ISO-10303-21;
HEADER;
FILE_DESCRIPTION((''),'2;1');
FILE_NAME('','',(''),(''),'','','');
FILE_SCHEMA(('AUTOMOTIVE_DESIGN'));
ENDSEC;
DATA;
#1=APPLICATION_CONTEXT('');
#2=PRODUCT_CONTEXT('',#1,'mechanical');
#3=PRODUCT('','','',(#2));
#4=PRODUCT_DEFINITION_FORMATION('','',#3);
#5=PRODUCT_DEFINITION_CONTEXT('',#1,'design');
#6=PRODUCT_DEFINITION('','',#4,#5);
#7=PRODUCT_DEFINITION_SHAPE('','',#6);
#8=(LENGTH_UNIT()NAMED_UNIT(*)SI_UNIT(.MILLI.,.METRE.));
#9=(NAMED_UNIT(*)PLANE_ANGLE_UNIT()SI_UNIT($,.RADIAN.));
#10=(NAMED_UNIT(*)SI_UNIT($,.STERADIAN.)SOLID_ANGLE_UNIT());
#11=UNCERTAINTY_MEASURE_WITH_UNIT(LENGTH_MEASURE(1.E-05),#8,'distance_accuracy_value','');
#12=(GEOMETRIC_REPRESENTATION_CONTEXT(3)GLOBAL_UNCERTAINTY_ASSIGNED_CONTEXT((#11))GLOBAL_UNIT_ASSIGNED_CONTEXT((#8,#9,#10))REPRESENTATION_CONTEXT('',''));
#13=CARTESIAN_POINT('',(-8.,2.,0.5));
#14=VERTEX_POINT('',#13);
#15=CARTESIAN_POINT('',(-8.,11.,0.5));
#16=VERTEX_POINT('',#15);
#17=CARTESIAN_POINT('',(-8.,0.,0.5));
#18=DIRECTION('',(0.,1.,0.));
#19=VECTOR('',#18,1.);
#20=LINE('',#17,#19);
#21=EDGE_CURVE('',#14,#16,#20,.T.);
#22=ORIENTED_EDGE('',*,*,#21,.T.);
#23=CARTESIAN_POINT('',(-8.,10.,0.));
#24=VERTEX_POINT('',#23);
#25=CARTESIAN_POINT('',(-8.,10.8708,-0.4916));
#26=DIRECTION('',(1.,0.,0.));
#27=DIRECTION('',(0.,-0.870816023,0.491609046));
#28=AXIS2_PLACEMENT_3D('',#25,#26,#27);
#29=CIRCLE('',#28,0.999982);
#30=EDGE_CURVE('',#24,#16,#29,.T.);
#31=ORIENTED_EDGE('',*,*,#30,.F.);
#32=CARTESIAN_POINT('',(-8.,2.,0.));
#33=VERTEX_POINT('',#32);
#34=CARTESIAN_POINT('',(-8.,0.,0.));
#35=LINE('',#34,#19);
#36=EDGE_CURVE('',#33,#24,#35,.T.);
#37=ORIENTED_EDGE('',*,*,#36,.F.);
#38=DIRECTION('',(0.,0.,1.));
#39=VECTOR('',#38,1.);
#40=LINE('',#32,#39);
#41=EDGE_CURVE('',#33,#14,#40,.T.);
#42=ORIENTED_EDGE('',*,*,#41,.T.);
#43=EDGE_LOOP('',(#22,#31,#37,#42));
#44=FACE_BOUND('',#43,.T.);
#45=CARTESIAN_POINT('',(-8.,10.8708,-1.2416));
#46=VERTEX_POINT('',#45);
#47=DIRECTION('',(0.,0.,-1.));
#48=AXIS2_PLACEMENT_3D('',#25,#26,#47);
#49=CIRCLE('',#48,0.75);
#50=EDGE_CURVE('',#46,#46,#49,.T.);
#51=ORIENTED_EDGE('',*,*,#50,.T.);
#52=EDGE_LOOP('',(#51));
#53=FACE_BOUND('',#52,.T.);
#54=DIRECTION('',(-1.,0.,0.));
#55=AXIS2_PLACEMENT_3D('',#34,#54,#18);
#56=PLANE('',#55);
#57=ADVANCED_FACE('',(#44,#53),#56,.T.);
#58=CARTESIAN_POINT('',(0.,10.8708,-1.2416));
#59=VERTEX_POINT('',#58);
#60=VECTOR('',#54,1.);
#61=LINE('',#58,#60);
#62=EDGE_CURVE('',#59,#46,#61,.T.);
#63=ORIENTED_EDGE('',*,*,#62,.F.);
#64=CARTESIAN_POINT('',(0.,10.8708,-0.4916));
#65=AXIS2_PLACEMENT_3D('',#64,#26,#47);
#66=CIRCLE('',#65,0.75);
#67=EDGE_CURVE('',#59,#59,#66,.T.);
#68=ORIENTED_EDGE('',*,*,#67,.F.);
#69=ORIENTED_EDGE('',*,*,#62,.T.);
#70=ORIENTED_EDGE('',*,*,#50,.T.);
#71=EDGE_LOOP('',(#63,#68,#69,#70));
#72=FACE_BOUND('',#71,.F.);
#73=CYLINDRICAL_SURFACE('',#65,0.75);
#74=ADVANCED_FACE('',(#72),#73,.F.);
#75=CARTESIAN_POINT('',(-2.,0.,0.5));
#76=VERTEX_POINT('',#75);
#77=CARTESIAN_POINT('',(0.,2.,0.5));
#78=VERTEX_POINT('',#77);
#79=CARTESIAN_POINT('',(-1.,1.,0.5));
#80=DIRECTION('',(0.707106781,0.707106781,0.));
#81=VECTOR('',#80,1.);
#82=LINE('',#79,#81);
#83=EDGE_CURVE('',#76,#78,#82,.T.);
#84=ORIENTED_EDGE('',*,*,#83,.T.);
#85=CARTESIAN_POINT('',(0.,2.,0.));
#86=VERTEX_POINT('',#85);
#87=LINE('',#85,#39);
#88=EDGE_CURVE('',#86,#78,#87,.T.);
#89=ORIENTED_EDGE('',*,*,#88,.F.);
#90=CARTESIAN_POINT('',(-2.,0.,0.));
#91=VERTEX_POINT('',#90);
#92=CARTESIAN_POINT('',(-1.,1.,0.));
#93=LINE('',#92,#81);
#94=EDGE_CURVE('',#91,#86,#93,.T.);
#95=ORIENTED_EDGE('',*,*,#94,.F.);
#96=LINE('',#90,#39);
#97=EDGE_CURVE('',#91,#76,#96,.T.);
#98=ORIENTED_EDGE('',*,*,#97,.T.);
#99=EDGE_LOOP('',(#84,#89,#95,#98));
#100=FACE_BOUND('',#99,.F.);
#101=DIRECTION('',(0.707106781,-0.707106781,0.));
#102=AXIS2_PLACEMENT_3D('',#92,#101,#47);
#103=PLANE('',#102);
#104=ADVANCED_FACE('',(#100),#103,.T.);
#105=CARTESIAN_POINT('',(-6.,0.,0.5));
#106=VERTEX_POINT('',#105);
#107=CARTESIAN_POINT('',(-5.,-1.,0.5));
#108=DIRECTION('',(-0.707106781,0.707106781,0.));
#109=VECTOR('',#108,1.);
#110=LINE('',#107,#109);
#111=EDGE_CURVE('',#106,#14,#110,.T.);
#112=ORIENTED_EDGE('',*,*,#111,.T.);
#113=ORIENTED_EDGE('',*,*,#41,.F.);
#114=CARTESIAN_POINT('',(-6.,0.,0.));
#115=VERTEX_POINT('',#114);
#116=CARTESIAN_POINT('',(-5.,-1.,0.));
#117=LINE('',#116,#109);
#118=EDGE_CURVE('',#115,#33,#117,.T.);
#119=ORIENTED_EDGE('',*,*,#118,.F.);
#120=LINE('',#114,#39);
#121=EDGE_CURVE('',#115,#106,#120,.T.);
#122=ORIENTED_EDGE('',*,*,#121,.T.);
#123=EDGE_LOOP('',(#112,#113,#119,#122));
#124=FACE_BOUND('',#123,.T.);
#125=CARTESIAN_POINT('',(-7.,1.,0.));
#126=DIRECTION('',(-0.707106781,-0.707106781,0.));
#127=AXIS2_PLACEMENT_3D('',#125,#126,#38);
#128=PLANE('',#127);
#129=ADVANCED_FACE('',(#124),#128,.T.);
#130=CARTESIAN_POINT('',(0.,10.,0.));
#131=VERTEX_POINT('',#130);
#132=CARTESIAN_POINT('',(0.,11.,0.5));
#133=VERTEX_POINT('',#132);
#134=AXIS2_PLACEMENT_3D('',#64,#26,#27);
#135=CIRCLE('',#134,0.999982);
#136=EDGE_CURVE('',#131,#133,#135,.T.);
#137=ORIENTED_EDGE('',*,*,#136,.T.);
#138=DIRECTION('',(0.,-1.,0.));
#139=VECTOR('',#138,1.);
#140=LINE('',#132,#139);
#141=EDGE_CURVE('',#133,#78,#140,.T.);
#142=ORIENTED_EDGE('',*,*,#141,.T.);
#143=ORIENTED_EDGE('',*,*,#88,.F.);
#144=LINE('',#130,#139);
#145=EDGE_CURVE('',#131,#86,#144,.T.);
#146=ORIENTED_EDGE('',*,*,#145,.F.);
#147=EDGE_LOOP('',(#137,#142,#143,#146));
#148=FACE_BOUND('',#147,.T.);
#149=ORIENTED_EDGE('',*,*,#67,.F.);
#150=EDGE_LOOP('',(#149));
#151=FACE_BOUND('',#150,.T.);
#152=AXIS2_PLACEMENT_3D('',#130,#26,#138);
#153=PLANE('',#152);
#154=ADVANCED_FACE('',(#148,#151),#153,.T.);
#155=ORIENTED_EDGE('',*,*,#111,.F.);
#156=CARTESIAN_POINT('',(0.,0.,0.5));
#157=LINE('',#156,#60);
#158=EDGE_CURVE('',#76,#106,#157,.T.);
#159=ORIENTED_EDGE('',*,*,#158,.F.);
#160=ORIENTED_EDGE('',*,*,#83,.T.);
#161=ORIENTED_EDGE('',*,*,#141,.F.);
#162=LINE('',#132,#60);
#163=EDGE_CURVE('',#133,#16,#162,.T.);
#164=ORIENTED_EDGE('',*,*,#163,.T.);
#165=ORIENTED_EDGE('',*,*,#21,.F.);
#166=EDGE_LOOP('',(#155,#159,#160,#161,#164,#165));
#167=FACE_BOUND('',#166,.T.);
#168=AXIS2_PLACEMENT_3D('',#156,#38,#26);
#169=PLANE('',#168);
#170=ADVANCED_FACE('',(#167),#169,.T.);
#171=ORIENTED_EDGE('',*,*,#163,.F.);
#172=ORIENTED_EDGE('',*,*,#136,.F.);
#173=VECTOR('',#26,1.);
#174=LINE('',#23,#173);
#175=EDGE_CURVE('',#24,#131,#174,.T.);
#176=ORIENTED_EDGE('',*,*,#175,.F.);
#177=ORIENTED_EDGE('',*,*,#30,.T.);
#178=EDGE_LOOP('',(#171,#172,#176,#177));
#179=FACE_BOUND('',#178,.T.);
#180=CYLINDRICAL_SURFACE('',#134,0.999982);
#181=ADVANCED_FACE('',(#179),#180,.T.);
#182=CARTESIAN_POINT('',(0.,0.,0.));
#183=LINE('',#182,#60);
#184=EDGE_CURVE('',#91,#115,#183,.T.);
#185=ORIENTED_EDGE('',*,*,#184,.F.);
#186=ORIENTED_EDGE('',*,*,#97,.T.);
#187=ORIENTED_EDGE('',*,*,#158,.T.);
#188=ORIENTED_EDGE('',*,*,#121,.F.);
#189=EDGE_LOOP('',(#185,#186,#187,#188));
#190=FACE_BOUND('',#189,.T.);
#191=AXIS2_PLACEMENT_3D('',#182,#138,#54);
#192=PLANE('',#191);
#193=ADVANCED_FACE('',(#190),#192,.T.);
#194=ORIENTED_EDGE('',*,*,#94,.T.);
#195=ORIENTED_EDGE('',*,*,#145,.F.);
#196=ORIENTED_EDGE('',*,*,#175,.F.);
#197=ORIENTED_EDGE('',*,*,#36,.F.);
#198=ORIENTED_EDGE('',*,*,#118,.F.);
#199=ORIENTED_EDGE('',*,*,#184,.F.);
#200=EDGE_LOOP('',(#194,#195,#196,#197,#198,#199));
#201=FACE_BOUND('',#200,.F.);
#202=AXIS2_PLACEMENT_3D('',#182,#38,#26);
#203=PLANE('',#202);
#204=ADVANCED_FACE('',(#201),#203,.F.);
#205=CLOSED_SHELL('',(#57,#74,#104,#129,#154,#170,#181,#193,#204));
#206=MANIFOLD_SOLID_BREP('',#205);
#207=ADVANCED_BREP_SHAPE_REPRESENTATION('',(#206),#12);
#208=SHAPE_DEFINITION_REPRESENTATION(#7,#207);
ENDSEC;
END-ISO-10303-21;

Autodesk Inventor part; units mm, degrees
ref_plane "YZ Plane" through (0, 0, 0) normal (1, 0, 0) x (0, 1, 0)
ref_plane "XZ Plane" through (0, 0, 0) normal (0, 1, 0) x (-1, 0, 0)
ref_plane "XY Plane" through (0, 0, 0) normal (0, 0, 1) x (1, 0, 0)
sketch "Sketch1" plane through (0, 0, 0) normal (0, 0, 1) x (1, 0, 0)
  line L0 (0, 0) -> (-8, 0)
  line L1 (-8, 0) -> (-8, 10)
  line L2 (-8, 10) -> (0, 10)
  line L3 (0, 10) -> (0, 0)
  dimension "d2" = 10
  dimension "d3" = 8
extrude "Extrusion1" add sketch "Sketch1" along normal blind 0.5
sketch "Sketch2" plane through (0, 0, 0) normal (1, 0, 0) x (0, 0, -1)
  line L0 (-0.5, 10) -> (-0.5, 11)
  arc A0 (0, 10) -> (-0.5, 11) centre (0.4916, 10.8708) ccw
  line L1 (0, 10) -> (-0.5, 10) projected
  line L2 (0, 10) -> (-0.5, 10)
  point P0 (0, 0)
  dimension "d4" = 1
  dimension "d5" = 1
extrude "Extrusion2" add sketch "Sketch2" against normal blind 8
sketch "Sketch3" plane through (0, 0, 0.5) normal (1, 0, 0) x (0, 0, -1)
  arc A0 (0.5, 10) -> (0, 11) centre (0.9916, 10.8708) ccw projected
  circle A1 centre (0.9916, 10.8708) radius 0.75
  point P0 (0.5, 0)
  dimension "d8" = 1.5
extrude "Extrusion3" cut sketch "Sketch3" against normal blind 8
chamfer "Chamfer1" distance 2 angle 45 2 edges at (-8, 0, 0.25) (0, 0, 0.25)
properties part number "Bottom_Trava"
